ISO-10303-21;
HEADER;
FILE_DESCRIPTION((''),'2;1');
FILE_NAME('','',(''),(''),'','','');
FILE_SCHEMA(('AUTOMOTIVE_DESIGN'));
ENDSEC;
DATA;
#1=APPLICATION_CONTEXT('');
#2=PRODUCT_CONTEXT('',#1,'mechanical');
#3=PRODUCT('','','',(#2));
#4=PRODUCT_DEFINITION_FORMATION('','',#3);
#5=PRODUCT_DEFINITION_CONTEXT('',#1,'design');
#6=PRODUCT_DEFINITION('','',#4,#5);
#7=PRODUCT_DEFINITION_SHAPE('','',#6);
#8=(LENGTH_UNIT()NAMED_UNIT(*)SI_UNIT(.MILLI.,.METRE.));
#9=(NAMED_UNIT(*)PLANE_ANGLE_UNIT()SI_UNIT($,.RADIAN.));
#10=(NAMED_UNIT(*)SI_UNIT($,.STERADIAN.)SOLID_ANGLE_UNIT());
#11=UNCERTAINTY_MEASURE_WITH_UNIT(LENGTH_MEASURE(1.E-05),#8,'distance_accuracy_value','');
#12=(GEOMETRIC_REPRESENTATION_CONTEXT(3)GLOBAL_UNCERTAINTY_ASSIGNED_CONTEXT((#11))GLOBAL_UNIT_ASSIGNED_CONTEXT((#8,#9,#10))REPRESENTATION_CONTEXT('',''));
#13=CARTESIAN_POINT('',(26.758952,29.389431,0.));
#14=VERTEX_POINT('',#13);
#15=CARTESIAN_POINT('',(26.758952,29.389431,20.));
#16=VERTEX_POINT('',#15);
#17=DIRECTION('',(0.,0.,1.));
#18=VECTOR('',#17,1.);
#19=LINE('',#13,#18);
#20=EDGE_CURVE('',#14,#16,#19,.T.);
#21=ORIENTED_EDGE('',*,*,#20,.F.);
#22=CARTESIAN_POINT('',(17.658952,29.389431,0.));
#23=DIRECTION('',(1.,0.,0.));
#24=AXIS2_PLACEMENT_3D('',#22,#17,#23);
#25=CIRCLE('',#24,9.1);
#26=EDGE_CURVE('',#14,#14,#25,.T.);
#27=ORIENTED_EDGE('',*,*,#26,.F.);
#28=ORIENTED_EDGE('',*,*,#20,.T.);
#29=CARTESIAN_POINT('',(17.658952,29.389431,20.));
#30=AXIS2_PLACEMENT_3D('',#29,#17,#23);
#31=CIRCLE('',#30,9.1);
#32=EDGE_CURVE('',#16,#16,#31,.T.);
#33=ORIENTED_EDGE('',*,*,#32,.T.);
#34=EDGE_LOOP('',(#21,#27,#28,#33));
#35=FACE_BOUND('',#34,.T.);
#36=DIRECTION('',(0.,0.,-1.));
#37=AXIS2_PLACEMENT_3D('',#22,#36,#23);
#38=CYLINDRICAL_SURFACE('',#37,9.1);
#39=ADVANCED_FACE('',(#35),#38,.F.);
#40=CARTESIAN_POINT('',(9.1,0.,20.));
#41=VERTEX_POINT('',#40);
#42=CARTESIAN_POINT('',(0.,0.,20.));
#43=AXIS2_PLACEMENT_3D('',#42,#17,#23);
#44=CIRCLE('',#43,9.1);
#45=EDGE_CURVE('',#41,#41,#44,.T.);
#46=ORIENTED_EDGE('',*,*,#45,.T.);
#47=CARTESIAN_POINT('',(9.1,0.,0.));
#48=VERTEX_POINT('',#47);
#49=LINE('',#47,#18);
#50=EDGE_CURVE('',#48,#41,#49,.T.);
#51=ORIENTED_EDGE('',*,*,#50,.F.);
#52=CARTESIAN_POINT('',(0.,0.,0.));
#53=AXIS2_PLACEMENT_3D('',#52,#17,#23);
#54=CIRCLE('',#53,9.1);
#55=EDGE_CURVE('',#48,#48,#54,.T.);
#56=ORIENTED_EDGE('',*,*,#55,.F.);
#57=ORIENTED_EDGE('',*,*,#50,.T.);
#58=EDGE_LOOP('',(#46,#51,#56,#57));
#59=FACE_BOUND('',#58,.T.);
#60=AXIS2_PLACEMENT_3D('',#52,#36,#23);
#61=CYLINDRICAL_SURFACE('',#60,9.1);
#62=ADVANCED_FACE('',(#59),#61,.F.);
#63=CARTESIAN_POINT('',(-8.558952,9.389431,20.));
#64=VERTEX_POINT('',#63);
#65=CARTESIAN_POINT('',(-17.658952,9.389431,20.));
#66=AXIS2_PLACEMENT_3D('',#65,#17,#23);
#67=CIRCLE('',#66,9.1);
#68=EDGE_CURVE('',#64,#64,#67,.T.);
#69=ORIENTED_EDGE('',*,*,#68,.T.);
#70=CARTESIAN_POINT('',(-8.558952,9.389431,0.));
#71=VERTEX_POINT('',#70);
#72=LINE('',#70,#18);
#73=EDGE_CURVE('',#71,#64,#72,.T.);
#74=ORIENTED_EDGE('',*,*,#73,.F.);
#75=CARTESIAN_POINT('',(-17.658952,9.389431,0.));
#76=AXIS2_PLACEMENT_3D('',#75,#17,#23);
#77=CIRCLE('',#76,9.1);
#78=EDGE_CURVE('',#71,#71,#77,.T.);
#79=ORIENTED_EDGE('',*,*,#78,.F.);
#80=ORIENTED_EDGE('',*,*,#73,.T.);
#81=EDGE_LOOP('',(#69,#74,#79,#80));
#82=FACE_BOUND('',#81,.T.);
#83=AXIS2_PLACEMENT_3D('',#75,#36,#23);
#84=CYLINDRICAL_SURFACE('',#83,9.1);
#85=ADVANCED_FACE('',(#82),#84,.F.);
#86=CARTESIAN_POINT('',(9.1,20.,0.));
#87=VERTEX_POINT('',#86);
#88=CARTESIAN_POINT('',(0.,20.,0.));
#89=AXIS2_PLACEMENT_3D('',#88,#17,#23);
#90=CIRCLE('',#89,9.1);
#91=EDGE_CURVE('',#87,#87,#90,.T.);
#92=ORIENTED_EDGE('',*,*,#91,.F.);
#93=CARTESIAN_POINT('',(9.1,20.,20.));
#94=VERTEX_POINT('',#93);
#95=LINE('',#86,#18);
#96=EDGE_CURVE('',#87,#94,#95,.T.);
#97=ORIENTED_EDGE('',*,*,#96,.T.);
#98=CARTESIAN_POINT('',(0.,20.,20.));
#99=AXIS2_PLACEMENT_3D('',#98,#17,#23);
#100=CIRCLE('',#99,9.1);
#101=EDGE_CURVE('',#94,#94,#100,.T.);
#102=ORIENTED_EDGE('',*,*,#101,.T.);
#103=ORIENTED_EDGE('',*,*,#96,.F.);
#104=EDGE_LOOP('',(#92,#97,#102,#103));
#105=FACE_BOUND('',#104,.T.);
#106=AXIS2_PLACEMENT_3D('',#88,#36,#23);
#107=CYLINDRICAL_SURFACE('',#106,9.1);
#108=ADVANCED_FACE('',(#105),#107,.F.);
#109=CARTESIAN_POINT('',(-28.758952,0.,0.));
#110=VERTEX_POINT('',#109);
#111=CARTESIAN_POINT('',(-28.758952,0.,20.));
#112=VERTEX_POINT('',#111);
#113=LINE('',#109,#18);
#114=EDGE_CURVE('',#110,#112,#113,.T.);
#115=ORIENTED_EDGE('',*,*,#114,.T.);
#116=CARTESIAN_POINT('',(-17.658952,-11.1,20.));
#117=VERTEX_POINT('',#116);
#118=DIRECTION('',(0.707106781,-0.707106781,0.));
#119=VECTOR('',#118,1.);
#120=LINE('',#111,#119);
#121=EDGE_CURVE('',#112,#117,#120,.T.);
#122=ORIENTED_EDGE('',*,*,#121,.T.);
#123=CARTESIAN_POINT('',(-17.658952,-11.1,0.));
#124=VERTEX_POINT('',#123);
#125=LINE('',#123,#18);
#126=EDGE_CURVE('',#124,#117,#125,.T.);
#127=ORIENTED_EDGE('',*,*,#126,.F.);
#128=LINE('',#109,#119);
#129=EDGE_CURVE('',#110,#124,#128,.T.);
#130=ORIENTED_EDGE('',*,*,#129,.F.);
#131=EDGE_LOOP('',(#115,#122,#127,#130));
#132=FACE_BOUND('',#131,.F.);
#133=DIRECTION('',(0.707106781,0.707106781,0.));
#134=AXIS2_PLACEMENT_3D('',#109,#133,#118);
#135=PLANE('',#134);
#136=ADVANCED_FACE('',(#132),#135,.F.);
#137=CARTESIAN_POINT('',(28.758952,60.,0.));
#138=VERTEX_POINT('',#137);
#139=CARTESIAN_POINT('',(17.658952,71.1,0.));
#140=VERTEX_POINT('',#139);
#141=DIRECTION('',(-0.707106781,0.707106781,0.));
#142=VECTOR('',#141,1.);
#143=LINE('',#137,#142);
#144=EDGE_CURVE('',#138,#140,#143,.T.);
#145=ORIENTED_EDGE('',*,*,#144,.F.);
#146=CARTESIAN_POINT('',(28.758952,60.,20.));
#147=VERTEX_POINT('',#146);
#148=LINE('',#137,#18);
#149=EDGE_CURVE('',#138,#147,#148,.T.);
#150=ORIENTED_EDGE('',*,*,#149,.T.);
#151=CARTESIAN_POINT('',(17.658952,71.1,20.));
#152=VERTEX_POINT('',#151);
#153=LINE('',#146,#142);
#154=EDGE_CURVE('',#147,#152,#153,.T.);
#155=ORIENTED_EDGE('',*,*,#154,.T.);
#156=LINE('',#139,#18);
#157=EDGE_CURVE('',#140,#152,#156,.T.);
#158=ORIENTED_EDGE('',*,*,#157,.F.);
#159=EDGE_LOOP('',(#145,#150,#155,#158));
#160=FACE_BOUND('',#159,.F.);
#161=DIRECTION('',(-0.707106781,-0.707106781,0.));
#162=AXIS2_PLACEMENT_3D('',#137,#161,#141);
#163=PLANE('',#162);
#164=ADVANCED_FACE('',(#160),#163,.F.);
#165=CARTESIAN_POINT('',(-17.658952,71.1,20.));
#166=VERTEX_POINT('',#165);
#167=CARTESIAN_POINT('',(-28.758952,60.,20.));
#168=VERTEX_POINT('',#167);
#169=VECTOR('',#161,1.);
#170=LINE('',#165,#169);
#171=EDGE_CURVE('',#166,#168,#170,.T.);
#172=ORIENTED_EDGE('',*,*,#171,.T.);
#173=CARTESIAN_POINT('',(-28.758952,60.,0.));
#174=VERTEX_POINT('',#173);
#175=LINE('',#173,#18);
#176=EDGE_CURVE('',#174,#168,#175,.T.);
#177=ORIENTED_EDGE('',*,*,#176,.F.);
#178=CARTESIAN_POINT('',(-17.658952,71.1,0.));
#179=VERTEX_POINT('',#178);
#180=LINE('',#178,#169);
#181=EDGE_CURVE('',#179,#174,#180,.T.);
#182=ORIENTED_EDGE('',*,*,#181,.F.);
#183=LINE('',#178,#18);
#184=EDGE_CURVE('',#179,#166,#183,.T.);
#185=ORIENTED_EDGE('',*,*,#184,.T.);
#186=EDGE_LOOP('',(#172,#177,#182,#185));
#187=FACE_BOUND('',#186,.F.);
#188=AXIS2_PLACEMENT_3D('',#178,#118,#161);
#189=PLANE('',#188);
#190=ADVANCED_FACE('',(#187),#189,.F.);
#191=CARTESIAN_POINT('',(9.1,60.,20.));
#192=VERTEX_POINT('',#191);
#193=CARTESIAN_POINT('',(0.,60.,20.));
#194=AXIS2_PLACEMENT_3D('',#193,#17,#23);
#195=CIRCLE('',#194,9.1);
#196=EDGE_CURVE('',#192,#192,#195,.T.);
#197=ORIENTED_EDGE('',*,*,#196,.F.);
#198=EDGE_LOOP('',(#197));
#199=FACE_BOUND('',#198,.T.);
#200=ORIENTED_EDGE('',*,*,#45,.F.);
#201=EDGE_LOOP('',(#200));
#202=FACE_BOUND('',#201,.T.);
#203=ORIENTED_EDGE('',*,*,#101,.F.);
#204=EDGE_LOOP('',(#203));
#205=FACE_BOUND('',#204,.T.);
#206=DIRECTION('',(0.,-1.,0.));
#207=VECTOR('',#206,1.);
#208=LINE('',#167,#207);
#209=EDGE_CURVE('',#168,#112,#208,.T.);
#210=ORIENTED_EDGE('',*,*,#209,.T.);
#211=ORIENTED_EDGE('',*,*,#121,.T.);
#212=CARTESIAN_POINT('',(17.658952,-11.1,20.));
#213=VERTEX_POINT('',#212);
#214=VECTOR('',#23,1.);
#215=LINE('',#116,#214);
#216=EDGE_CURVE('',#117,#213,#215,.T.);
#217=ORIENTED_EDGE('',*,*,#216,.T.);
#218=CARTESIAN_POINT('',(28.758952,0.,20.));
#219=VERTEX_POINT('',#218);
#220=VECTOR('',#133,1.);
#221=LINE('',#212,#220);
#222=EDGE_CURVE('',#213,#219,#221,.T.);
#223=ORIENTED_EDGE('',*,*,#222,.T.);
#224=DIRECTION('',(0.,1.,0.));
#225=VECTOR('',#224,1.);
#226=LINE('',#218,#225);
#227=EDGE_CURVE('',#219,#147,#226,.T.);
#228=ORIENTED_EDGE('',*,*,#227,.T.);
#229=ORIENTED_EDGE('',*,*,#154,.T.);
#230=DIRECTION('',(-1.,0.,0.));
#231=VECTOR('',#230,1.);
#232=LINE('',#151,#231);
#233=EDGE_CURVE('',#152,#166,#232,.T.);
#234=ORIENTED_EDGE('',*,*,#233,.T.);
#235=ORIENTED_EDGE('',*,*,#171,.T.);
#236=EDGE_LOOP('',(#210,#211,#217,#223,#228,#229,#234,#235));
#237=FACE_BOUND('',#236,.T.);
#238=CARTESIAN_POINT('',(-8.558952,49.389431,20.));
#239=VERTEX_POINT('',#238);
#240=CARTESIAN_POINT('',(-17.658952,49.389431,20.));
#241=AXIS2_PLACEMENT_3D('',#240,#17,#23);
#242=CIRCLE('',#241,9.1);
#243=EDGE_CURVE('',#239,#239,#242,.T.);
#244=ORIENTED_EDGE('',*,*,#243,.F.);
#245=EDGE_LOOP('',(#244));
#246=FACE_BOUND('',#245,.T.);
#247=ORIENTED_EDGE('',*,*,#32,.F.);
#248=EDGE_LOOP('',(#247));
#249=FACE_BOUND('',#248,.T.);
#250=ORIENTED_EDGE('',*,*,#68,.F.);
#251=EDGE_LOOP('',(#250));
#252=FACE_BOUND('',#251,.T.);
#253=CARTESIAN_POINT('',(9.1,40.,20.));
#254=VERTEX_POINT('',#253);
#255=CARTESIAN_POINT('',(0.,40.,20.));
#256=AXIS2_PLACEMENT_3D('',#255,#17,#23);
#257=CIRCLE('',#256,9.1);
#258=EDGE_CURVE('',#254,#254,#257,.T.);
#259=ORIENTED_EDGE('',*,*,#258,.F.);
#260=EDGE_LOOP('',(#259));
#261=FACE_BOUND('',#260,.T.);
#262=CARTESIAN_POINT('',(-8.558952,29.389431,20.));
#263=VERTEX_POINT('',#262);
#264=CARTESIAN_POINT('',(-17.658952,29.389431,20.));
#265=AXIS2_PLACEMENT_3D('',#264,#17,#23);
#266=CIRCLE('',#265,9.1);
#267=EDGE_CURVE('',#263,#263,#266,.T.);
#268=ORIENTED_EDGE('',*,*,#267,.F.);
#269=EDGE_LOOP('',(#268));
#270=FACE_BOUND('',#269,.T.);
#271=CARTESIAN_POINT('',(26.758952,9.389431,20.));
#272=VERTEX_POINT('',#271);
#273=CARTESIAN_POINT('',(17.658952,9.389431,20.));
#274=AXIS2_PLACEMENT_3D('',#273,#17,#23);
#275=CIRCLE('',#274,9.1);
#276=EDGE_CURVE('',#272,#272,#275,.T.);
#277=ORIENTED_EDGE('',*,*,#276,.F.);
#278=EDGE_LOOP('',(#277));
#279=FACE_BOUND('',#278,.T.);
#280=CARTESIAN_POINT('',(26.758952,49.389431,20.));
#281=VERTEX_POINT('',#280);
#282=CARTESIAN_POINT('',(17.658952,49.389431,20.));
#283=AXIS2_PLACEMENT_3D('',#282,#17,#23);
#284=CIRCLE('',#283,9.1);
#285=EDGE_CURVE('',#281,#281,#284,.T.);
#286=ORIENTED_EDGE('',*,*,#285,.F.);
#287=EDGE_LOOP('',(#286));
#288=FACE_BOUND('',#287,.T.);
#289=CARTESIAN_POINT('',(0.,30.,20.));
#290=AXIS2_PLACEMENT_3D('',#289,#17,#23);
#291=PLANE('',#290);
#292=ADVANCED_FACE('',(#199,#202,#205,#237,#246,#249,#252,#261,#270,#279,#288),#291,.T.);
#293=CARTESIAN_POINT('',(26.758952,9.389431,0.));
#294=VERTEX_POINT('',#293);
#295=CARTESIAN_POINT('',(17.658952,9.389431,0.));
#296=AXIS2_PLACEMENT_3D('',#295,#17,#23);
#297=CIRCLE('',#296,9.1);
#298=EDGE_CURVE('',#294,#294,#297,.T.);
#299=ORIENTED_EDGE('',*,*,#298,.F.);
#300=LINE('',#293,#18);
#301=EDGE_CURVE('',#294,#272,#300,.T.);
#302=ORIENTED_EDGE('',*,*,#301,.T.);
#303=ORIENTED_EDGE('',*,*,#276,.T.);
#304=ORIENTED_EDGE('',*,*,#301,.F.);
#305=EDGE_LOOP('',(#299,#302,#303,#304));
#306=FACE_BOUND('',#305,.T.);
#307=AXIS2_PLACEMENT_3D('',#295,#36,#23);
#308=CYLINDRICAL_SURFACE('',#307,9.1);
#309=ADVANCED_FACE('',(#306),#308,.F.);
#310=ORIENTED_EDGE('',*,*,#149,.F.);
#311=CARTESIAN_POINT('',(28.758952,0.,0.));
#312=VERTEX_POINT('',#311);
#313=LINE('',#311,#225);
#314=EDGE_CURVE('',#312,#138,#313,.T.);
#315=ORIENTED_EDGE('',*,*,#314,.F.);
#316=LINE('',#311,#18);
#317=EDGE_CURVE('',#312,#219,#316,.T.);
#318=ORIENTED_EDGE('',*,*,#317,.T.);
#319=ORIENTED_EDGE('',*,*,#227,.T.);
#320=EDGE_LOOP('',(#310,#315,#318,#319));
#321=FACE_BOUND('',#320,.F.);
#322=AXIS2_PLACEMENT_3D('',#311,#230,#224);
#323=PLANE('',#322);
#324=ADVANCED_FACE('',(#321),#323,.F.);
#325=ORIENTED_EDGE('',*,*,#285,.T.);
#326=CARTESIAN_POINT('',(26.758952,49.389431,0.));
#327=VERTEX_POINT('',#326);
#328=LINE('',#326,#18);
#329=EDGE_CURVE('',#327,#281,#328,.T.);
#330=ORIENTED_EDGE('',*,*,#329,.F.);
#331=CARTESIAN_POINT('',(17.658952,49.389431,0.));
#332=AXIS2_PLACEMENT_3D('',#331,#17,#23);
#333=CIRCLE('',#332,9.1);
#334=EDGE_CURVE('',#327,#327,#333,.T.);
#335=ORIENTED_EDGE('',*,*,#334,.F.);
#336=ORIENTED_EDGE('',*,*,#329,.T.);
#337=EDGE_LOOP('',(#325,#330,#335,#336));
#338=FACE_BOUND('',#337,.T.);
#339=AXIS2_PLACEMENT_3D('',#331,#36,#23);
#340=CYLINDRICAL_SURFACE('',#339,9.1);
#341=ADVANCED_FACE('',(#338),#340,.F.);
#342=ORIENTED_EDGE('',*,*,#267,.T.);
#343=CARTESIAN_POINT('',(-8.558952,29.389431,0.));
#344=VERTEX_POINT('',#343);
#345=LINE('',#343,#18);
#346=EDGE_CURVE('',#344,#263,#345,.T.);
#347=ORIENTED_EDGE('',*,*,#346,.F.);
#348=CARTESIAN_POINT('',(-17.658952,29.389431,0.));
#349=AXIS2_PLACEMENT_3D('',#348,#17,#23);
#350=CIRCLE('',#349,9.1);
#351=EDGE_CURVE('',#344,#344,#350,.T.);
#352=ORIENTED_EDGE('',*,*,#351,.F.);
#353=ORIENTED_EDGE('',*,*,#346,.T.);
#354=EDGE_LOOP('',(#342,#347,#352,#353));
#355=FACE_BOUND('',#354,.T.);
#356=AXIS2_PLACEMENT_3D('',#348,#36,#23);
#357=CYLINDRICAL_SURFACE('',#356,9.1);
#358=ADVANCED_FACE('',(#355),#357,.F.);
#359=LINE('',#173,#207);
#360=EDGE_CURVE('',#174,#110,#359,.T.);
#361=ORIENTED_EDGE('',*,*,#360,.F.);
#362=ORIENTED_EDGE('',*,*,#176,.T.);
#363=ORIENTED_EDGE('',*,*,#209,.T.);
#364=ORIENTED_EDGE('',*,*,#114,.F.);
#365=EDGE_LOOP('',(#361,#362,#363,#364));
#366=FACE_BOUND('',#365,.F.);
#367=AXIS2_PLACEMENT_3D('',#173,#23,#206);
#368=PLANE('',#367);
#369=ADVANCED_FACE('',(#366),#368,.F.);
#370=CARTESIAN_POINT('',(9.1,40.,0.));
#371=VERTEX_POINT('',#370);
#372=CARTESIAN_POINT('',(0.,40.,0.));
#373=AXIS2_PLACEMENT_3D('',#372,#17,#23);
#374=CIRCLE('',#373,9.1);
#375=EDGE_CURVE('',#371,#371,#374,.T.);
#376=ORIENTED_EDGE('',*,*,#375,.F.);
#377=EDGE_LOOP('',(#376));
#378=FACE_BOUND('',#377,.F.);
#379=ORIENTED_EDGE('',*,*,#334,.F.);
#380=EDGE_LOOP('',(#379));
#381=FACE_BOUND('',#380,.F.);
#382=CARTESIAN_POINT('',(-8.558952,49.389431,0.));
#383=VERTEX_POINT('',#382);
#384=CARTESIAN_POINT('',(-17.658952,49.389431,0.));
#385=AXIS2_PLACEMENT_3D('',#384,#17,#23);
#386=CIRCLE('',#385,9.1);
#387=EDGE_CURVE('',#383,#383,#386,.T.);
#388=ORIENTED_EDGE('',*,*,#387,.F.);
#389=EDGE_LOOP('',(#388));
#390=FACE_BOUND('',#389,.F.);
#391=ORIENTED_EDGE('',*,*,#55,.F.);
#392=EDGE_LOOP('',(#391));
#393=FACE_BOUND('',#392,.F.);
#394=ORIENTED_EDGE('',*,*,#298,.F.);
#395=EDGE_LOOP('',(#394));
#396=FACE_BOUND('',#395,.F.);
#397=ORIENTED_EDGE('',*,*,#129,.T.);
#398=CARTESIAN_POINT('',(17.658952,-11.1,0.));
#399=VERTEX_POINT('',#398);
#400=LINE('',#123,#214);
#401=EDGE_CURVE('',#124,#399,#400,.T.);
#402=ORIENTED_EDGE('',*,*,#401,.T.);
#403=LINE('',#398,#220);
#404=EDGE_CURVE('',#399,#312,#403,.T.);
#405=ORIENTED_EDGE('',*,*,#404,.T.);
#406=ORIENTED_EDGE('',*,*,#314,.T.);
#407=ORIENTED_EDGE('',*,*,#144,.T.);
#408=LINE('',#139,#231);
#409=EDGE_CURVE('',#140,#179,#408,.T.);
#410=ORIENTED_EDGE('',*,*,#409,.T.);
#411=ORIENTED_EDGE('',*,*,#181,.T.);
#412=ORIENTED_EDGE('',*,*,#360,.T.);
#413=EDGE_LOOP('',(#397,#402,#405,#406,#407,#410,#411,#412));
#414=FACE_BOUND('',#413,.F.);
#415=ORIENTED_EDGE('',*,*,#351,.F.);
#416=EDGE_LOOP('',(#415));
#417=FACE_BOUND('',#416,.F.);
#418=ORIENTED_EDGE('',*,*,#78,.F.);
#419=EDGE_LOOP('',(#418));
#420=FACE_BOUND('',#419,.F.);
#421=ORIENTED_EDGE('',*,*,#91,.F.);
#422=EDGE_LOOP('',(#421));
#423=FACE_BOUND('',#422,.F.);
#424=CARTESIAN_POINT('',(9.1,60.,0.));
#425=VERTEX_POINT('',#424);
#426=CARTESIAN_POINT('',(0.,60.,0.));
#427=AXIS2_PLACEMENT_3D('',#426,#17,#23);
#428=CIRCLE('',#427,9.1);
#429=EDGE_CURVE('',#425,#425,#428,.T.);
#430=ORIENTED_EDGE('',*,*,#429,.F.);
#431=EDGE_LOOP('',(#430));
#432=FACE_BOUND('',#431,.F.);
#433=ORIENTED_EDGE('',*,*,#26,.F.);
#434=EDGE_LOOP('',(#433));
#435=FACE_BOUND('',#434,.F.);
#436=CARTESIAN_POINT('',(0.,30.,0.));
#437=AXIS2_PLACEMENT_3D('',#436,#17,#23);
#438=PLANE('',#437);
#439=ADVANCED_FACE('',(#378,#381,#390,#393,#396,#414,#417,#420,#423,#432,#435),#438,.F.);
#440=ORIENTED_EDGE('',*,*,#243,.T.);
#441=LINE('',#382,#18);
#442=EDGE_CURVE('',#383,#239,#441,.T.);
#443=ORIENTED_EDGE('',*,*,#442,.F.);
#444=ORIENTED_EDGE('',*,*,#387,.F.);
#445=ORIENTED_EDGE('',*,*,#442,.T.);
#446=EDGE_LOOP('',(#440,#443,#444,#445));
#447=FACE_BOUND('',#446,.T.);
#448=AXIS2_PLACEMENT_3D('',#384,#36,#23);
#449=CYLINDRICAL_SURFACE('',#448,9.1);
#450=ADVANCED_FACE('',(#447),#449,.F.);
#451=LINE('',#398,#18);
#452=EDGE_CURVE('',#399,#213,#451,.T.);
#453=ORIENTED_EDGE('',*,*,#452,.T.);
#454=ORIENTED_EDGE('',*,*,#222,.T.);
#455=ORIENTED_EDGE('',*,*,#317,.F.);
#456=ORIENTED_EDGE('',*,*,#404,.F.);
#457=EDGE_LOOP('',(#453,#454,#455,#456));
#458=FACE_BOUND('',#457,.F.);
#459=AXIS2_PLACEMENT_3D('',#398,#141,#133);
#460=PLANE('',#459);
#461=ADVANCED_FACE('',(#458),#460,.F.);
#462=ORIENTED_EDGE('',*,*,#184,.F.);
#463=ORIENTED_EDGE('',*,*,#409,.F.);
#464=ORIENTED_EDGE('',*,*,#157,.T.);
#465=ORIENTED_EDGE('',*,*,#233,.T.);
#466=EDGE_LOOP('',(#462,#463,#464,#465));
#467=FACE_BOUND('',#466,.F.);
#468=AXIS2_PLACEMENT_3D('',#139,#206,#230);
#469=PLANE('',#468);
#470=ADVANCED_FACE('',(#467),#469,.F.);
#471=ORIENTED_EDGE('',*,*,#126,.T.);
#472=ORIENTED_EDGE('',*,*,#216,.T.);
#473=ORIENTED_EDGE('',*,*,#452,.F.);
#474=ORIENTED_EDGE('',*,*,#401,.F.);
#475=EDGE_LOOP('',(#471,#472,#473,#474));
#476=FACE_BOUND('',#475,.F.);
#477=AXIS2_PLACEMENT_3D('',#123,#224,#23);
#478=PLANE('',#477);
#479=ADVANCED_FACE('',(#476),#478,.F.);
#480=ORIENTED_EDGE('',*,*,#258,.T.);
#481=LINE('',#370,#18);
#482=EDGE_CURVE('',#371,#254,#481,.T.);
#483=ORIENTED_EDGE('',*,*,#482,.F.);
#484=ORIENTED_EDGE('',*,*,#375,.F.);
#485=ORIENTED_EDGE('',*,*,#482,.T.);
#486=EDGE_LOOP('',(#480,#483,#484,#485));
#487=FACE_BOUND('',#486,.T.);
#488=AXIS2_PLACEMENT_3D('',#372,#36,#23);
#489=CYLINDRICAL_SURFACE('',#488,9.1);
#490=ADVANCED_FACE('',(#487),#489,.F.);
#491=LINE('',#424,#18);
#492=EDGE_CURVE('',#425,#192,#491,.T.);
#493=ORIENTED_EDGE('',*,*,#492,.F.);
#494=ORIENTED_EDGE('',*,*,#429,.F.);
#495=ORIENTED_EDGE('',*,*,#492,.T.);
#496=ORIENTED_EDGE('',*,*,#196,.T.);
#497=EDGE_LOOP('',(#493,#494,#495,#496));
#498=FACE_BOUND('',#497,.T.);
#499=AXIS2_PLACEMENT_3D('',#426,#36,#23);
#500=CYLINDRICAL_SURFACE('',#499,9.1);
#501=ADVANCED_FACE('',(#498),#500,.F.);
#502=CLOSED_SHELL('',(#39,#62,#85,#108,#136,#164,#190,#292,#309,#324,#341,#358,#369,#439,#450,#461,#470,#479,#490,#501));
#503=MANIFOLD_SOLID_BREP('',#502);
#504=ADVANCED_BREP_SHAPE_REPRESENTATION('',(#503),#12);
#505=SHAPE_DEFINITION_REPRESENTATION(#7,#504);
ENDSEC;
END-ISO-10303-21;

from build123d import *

# Parameters (mm, degrees)
F0_R     = 9.1
F1_DEPTH = 20


with BuildPart() as f1:
    # F0 (on Top) → F1 (new body)
    with BuildSketch(Plane.XY):
        Polygon((-17.658952, 71.1), (-28.758952, 60), (-28.758952, 0), (-17.658952, -11.1), (17.658952, -11.1), (28.758952, 0), (28.758952, 60), (17.658952, 71.1), align=None)
        with Locations((-17.658952, 9.389431)):
            Circle(F0_R, mode=Mode.SUBTRACT)
        with Locations((-17.658952, 29.389431)):
            Circle(F0_R, mode=Mode.SUBTRACT)
        Circle(F0_R, mode=Mode.SUBTRACT)
        with Locations((17.658952, 9.389431)):
            Circle(F0_R, mode=Mode.SUBTRACT)
        with Locations((0, 20)):
            Circle(F0_R, mode=Mode.SUBTRACT)
        with Locations((17.658952, 29.389431)):
            Circle(F0_R, mode=Mode.SUBTRACT)
        with Locations((-17.658952, 49.389431)):
            Circle(F0_R, mode=Mode.SUBTRACT)
        with Locations((0, 40)):
            Circle(F0_R, mode=Mode.SUBTRACT)
        with Locations((17.658952, 49.389431)):
            Circle(F0_R, mode=Mode.SUBTRACT)
        with Locations((0, 60)):
            Circle(F0_R, mode=Mode.SUBTRACT)
    extrude(amount=F1_DEPTH)


solid = f1.part
